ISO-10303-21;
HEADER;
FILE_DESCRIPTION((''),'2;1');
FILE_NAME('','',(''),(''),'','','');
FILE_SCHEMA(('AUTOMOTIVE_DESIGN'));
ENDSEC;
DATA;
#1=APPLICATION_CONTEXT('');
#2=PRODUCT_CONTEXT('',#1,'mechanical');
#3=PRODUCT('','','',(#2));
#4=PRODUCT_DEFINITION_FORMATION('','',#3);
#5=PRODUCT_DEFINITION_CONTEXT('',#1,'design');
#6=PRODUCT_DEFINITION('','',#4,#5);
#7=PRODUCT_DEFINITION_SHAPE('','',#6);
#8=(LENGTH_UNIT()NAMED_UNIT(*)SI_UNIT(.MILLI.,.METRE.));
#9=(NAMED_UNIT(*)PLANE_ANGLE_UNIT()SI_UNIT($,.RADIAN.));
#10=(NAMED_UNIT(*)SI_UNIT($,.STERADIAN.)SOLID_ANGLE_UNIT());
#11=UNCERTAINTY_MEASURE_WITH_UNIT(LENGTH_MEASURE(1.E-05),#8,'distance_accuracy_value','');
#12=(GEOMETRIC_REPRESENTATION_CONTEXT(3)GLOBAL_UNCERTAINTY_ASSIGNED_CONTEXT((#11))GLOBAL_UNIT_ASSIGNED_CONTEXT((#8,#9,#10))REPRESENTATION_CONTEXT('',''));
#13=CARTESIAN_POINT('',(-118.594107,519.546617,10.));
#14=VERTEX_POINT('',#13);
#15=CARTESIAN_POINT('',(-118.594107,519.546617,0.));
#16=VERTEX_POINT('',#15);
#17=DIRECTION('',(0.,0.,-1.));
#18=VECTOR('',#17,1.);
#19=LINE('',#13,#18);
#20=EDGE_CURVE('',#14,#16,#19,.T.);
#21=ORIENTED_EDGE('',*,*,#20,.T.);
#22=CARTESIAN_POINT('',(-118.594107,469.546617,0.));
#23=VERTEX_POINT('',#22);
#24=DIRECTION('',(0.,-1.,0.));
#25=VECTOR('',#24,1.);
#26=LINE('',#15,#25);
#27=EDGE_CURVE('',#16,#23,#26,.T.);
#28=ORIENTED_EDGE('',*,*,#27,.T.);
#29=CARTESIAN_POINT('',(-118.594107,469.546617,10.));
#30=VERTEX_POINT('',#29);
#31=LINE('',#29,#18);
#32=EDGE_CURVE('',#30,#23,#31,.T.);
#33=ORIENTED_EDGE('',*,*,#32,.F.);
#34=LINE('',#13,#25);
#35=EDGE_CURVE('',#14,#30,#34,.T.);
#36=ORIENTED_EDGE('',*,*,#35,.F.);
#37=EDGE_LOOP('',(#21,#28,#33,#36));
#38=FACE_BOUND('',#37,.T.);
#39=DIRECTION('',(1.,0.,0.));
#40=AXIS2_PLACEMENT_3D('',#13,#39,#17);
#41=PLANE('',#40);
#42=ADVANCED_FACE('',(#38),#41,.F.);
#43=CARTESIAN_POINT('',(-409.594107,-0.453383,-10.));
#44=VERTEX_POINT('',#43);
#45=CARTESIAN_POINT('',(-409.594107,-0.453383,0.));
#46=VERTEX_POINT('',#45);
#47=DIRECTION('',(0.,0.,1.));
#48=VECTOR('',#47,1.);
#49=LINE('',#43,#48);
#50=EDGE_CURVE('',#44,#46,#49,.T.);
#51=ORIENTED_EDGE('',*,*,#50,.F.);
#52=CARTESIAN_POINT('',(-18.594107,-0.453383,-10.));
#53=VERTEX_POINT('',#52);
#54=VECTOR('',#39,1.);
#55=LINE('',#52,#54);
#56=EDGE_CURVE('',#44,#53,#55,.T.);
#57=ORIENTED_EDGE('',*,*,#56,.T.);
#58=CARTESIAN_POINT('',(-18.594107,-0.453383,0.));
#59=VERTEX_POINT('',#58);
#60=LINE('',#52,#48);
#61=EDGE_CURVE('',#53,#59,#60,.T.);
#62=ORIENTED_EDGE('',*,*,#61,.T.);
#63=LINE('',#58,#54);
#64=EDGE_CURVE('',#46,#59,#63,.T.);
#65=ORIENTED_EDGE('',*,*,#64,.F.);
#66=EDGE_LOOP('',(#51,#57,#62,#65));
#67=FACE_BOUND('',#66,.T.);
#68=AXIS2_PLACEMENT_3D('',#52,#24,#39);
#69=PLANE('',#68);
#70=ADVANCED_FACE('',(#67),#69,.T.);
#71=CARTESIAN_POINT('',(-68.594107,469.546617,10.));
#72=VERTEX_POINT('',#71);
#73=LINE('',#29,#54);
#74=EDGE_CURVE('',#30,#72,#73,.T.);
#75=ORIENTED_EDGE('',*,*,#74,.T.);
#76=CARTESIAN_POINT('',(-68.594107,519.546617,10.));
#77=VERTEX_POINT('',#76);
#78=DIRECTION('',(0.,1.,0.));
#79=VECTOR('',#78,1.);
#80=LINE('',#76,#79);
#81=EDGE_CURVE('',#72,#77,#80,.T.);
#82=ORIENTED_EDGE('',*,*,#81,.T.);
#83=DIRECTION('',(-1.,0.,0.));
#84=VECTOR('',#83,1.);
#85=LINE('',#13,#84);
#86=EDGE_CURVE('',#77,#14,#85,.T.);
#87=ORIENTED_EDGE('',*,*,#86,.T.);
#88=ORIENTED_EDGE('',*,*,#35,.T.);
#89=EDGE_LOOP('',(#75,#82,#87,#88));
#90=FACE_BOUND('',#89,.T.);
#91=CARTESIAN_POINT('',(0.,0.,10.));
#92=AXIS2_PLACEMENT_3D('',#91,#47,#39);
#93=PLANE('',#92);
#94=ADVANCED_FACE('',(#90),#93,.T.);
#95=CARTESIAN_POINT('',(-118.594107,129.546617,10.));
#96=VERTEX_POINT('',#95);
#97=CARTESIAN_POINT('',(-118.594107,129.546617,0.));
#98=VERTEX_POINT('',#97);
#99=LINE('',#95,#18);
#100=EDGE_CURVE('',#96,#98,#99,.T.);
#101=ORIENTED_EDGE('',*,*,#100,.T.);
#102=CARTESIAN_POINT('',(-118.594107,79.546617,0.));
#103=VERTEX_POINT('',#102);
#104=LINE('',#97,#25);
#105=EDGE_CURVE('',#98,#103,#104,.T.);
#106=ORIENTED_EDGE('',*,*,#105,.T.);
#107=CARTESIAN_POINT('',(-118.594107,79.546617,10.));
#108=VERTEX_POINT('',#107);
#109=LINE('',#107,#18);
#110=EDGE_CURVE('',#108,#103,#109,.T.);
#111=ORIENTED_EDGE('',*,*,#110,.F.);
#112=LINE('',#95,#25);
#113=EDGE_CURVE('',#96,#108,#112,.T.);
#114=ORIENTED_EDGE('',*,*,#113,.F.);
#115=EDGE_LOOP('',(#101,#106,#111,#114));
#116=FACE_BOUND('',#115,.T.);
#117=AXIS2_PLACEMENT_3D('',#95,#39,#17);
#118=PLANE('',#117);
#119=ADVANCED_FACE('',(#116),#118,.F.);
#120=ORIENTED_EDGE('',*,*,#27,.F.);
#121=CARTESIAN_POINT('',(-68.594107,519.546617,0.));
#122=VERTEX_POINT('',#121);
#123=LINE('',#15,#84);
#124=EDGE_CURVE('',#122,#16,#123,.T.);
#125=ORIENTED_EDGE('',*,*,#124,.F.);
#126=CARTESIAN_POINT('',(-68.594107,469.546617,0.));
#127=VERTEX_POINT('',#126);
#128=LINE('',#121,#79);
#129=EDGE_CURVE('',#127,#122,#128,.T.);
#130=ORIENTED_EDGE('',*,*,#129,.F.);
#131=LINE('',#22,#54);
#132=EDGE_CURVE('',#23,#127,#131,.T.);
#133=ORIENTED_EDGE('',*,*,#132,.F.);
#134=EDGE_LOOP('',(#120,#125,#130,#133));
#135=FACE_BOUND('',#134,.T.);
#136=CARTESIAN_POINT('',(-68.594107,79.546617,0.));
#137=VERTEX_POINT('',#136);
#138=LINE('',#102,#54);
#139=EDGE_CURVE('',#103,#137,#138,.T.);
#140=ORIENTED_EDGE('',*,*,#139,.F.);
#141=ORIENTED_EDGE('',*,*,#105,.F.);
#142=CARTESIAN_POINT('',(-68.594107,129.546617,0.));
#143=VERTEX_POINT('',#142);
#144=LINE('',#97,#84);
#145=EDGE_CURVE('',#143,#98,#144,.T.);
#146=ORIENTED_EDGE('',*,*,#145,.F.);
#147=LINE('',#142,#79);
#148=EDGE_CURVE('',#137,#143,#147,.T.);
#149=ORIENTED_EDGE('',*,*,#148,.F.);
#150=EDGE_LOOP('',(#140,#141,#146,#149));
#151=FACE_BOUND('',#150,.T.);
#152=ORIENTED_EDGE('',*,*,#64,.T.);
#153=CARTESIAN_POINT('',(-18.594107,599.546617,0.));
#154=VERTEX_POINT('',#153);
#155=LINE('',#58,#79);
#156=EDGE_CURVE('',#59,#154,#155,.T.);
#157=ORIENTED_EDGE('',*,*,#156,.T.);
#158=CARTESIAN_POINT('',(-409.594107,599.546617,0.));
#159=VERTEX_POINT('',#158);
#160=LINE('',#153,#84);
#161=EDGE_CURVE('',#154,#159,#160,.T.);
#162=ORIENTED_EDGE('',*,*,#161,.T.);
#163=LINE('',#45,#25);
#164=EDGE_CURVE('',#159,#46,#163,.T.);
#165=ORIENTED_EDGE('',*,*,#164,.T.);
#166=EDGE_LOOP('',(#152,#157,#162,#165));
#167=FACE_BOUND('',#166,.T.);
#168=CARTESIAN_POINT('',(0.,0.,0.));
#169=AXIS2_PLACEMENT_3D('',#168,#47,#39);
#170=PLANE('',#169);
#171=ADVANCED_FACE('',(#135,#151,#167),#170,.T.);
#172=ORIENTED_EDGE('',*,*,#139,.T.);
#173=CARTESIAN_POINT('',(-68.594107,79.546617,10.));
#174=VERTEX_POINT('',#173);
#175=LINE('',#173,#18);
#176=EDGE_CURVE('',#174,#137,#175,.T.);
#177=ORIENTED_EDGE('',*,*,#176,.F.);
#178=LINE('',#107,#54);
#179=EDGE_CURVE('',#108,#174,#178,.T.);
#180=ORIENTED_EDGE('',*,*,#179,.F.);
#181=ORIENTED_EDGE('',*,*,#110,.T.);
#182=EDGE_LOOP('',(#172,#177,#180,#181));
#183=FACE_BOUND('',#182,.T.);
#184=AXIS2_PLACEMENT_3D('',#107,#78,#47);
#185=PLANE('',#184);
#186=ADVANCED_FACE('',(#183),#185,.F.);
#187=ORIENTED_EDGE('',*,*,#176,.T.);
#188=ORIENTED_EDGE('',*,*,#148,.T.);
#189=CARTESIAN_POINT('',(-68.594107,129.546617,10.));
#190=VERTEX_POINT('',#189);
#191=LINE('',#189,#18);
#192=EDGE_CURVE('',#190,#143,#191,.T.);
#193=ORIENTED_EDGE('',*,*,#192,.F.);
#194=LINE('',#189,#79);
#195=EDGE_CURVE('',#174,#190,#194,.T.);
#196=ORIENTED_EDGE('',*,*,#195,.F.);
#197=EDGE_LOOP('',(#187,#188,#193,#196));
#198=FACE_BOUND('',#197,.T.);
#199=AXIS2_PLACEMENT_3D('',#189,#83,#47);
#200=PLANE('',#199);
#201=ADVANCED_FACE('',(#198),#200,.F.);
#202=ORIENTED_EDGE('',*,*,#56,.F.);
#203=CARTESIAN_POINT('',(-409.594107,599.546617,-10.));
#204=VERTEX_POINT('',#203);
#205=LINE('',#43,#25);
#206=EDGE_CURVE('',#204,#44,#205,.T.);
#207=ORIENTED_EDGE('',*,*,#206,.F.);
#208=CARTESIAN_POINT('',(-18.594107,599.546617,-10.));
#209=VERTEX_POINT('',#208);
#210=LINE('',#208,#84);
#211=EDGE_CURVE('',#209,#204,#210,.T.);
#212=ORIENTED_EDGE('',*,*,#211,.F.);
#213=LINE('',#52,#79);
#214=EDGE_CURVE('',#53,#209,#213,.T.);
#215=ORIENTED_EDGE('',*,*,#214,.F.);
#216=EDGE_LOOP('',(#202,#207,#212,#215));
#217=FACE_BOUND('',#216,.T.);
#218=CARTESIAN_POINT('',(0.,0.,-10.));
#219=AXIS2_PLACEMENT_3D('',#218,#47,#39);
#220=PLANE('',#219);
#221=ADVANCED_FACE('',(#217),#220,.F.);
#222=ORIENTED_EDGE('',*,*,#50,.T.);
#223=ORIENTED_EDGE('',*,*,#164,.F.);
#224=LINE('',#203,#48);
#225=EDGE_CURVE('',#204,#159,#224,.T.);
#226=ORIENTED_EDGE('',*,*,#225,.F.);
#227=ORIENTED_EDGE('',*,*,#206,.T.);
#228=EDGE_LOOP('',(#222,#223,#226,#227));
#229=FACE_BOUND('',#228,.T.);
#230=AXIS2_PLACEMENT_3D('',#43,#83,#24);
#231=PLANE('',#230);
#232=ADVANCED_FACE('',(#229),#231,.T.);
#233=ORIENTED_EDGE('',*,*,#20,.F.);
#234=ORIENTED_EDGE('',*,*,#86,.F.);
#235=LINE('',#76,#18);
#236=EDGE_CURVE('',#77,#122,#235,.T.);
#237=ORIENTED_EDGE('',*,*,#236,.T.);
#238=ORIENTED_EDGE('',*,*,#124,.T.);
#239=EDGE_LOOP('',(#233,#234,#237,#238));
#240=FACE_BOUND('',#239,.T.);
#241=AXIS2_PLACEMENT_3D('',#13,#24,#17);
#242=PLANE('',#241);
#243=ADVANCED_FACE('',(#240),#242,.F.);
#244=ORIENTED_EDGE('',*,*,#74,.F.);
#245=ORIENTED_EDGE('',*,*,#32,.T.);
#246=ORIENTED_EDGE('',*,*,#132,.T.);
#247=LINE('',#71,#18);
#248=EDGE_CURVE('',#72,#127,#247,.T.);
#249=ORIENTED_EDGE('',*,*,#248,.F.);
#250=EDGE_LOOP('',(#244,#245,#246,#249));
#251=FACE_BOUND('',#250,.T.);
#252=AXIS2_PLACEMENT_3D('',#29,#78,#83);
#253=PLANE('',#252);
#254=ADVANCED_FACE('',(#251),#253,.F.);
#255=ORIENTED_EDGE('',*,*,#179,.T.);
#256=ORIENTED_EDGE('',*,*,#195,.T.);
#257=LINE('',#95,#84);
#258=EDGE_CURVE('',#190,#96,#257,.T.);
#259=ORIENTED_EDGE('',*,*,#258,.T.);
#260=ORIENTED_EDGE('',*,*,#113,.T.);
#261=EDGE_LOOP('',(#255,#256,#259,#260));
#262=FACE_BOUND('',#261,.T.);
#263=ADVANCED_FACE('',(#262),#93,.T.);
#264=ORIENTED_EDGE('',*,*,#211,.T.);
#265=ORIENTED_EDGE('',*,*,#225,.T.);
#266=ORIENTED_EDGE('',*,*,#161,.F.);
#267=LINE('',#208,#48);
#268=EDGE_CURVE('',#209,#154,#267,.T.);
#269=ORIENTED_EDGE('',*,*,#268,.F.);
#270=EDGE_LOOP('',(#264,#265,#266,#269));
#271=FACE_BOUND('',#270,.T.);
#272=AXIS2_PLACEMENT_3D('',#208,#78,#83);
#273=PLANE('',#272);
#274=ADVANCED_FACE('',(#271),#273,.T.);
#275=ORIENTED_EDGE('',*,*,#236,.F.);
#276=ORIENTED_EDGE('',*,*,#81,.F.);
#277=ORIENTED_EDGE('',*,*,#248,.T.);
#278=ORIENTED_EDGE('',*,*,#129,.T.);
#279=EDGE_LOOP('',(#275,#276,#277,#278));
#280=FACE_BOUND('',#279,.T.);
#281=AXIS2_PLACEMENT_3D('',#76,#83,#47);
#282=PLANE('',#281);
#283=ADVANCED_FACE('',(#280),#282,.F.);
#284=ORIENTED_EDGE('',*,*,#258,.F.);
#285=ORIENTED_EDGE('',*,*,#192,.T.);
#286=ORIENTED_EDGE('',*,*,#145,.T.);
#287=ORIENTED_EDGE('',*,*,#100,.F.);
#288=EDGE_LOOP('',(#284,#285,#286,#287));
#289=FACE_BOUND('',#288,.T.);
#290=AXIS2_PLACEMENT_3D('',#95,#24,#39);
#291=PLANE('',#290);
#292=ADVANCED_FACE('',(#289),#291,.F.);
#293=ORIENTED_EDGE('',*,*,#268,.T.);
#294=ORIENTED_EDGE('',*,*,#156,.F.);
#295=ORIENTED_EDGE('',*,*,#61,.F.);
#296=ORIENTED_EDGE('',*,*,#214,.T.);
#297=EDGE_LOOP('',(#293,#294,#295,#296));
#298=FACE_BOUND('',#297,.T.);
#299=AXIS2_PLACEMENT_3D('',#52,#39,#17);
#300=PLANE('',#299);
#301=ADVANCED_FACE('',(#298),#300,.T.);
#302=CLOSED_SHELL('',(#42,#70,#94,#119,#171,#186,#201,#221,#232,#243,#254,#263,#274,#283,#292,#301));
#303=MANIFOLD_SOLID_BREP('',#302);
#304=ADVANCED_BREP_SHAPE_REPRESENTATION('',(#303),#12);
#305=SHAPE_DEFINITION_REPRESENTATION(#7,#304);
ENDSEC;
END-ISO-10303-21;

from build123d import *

# Parameters (mm, degrees)
ESQUISSE1_W        = 391
ESQUISSE1_H        = 600
BOSS_EXTRU_1_DEPTH = 10
ESQUISSE2_W        = 50
ESQUISSE2_H        = 50
BOSS_EXTRU_2_DEPTH = 10


with BuildPart() as part:
    # Esquisse1 → Boss.-Extru.1 (new body)
    with BuildSketch(Plane.XY):
        with Locations((-214.094107131, 299.546616829)):
            Rectangle(ESQUISSE1_W, ESQUISSE1_H)
    extrude(amount=-BOSS_EXTRU_1_DEPTH)

    # Esquisse2 → Boss.-Extru.2 (add)
    with BuildSketch(Plane.XY):
        with Locations((-93.594107131, 494.546616829)):
            Rectangle(ESQUISSE2_W, ESQUISSE2_H)
        with Locations((-93.594107131, 104.546616829)):
            Rectangle(ESQUISSE2_W, ESQUISSE2_H)
    extrude(amount=BOSS_EXTRU_2_DEPTH)


solid = part.part
